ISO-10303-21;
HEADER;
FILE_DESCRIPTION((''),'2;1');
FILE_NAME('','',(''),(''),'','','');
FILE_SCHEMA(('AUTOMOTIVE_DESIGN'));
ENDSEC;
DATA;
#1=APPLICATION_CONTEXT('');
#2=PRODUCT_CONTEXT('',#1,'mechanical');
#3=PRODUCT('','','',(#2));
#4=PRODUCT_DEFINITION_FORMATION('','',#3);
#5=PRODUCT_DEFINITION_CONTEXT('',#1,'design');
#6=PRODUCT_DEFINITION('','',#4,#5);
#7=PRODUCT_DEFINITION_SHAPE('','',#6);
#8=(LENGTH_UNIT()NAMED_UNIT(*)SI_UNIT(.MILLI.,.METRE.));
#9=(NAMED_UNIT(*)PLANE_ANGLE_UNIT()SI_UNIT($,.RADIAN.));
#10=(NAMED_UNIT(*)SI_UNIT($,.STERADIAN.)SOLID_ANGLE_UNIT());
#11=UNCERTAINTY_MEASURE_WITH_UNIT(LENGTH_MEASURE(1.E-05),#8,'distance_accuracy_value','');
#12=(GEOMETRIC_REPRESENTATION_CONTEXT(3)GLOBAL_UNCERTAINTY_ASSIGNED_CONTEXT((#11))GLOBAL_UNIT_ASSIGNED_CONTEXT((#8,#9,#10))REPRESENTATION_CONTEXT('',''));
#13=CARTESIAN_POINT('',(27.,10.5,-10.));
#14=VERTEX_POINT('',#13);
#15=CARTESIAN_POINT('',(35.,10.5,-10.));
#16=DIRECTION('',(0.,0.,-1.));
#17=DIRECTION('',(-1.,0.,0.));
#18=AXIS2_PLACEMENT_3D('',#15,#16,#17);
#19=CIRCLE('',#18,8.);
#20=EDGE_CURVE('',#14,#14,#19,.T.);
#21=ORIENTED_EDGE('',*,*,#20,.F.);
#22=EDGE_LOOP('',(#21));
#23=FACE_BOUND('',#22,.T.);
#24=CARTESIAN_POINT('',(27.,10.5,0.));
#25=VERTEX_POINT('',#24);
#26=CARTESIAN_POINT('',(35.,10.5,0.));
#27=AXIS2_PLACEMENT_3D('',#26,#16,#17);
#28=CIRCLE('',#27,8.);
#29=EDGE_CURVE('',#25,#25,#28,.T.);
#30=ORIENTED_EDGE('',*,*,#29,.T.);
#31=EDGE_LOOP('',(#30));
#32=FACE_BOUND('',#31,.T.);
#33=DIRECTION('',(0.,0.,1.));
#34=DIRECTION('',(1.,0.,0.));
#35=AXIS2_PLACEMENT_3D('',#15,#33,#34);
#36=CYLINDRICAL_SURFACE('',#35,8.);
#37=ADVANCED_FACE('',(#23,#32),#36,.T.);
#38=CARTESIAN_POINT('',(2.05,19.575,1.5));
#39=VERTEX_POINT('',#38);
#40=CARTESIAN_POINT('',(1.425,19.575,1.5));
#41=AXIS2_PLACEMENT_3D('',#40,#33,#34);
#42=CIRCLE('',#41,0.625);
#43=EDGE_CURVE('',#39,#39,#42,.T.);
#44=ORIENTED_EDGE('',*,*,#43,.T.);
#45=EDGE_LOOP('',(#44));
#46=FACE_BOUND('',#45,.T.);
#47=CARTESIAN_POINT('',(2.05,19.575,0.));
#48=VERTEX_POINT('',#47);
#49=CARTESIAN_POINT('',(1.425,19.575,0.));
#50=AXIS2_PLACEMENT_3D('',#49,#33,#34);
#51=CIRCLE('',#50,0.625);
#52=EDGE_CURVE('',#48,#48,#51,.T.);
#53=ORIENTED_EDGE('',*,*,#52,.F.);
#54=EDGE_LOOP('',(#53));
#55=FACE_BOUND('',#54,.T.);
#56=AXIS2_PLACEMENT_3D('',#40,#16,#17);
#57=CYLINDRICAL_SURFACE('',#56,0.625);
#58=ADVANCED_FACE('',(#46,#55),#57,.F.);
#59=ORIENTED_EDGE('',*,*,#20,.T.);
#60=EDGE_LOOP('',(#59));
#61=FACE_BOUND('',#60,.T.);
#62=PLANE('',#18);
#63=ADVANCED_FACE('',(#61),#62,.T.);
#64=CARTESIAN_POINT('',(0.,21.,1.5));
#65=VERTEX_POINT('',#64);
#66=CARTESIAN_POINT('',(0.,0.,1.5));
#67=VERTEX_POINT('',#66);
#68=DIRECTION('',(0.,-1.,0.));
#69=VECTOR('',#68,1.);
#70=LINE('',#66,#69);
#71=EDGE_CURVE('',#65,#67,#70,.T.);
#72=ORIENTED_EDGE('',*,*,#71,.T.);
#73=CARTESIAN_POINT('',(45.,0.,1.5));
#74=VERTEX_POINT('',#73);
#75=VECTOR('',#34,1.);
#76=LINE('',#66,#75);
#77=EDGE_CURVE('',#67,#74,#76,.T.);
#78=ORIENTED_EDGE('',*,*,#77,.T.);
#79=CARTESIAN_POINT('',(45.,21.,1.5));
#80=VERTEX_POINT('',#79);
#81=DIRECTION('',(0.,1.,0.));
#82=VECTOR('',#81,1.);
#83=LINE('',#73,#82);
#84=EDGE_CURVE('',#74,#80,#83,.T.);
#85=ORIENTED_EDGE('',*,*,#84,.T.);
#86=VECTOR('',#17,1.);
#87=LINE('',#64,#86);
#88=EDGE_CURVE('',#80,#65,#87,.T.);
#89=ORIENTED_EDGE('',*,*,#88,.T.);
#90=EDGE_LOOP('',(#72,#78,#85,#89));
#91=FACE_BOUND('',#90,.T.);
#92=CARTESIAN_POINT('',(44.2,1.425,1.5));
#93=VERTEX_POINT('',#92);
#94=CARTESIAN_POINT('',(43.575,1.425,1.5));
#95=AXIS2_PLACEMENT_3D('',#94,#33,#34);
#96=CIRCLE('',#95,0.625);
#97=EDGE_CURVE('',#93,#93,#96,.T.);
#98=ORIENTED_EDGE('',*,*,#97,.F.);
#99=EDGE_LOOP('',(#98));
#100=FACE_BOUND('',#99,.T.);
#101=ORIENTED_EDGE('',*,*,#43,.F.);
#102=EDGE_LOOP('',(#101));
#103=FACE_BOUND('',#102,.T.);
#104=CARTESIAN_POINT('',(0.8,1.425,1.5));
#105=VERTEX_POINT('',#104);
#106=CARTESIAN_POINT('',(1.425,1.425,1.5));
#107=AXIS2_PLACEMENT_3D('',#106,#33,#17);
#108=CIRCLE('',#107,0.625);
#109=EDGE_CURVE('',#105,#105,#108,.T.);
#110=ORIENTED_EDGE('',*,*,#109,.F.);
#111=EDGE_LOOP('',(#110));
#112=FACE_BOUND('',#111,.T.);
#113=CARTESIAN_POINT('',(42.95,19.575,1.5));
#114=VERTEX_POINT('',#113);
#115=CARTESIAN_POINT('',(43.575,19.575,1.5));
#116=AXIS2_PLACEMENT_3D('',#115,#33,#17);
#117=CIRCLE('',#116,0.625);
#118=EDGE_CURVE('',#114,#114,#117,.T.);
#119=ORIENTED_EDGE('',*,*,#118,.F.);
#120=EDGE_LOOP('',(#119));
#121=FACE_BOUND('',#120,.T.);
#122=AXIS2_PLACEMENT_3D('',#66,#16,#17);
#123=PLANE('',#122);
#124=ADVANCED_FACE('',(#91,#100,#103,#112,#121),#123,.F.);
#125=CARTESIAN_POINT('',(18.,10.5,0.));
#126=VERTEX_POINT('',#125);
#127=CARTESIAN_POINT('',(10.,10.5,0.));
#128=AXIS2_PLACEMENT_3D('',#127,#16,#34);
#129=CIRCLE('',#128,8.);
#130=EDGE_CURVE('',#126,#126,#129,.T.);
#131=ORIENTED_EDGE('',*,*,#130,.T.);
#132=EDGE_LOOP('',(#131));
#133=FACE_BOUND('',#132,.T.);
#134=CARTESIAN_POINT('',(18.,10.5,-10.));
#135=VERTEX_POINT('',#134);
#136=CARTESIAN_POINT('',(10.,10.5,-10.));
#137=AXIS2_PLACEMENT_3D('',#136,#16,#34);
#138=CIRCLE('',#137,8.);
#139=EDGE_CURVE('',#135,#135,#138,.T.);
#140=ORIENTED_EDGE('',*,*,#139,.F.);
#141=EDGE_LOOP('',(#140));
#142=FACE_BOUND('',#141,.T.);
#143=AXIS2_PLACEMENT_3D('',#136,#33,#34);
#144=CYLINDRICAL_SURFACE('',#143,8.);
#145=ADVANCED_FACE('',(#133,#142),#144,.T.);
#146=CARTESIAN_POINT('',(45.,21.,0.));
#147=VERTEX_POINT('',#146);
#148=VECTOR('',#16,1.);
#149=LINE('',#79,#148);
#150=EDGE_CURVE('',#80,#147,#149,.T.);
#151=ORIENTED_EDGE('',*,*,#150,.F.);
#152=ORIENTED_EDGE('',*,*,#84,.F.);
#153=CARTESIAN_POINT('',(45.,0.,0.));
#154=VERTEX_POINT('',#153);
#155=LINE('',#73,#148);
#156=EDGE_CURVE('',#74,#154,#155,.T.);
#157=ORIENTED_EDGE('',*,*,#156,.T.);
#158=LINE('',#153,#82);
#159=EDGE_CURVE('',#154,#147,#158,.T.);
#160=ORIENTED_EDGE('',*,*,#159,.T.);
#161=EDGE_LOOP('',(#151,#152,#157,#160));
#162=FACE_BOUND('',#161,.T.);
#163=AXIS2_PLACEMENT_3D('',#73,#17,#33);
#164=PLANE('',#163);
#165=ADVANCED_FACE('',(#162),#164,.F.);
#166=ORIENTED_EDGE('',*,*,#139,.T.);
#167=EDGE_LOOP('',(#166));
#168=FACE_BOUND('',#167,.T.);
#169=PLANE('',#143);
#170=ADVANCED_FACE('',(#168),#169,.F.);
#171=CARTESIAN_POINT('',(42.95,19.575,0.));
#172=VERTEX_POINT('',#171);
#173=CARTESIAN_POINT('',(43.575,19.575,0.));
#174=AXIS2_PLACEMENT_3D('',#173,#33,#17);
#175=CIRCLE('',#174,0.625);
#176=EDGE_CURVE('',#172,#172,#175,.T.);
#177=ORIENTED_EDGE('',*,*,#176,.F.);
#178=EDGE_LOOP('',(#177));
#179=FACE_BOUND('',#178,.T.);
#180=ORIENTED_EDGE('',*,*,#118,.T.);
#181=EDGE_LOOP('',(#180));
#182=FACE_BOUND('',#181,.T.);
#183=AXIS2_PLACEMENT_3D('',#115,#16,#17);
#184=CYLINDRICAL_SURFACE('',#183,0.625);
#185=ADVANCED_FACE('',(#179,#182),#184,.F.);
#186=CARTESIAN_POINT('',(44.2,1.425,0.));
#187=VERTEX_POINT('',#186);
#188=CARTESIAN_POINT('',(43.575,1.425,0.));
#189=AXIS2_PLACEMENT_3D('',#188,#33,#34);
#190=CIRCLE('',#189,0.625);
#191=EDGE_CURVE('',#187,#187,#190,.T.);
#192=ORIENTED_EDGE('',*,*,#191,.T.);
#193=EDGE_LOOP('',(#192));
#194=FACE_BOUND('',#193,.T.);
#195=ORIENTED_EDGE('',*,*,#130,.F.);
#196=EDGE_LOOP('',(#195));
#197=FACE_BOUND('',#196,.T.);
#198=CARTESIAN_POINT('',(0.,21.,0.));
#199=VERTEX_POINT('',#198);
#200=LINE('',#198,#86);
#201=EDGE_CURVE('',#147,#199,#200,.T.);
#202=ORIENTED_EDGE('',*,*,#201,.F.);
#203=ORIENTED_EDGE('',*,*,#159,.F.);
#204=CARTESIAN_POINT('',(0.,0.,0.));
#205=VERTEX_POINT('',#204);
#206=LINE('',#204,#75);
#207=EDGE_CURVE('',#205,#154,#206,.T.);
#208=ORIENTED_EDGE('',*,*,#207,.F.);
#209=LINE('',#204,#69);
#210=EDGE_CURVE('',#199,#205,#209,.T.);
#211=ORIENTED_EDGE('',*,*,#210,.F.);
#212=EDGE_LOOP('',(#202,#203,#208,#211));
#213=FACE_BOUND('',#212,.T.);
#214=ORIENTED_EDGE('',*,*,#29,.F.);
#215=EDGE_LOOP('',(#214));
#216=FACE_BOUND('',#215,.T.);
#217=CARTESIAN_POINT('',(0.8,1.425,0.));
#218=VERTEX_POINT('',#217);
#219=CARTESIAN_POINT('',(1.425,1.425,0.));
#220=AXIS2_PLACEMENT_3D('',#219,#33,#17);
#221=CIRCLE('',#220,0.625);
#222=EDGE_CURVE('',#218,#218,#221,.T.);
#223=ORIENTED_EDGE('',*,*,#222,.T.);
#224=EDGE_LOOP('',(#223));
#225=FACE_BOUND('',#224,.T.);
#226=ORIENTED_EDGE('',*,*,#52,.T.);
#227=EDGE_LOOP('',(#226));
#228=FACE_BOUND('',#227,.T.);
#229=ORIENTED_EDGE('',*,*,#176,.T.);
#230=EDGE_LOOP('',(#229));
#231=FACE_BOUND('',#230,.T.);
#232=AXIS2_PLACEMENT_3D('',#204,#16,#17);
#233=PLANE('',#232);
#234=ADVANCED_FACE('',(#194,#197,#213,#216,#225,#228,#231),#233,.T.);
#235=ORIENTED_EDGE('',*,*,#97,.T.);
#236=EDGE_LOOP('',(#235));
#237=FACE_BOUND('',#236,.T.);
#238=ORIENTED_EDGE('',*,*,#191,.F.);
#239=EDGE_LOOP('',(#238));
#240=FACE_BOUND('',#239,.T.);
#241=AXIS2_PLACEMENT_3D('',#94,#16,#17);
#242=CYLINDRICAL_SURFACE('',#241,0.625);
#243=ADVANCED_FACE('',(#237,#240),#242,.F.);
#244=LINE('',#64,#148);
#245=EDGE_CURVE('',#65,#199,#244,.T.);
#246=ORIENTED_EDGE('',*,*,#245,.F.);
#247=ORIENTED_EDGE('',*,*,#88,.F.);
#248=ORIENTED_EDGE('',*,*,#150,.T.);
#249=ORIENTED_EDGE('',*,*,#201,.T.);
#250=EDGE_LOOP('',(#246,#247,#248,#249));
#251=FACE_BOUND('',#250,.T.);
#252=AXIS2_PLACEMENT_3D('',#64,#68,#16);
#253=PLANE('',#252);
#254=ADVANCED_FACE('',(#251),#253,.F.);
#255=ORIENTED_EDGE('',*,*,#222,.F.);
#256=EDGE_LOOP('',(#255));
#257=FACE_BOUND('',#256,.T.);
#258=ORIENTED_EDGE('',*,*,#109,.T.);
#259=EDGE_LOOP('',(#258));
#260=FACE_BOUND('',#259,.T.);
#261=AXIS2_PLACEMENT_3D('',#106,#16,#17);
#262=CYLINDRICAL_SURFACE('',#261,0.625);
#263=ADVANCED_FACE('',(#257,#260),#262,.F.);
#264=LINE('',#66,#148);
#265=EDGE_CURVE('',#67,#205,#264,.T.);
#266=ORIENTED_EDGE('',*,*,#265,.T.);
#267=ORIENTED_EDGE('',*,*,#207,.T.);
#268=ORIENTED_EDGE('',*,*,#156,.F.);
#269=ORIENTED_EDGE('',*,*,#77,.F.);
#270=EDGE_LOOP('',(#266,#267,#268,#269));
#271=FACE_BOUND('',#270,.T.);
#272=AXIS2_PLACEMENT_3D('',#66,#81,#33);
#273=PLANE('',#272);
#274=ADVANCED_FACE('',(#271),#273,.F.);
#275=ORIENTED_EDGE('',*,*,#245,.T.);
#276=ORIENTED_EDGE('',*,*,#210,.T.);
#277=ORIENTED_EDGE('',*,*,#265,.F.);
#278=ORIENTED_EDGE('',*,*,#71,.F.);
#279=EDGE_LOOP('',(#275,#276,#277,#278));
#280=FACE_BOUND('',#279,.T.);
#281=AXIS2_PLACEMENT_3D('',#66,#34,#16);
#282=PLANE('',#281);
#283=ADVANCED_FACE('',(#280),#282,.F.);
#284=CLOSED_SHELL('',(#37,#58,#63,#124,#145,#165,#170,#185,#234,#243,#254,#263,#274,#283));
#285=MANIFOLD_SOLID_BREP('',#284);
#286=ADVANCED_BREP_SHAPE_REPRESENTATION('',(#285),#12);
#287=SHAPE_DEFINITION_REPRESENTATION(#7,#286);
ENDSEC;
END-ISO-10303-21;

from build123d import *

# Parameters (mm, degrees)
CROQUIS1_W              = 45
CROQUIS1_H              = 21
CROQUIS1_R              = 0.625
SALIENTE_EXTRUIR1_DEPTH = 1.5
CROQUIS2_R              = 8
SALIENTE_EXTRUIR2_DEPTH = 10


with BuildPart() as part:
    # Croquis1 → Saliente-Extruir1 (new body)
    with BuildSketch(Plane.XY):
        with Locations((22.5, 10.5)):
            Rectangle(CROQUIS1_W, CROQUIS1_H)
        with Locations((1.425, 19.575)):
            Circle(CROQUIS1_R, mode=Mode.SUBTRACT)
        with Locations(Location((43.575, 19.575, 0), (0, 0, 180))):
            Circle(CROQUIS1_R, mode=Mode.SUBTRACT)
        with Locations((43.575, 1.425)):
            Circle(CROQUIS1_R, mode=Mode.SUBTRACT)
        with Locations(Location((1.425, 1.425, 0), (0, 0, 180))):
            Circle(CROQUIS1_R, mode=Mode.SUBTRACT)
    extrude(amount=SALIENTE_EXTRUIR1_DEPTH)

    # Croquis2 → Saliente-Extruir2 (add)
    with BuildSketch(Plane(origin=(0, 0, 0), x_dir=(-1, 0, 0), z_dir=(0, 0, -1))):
        with Locations((-35, 10.5)):
            Circle(CROQUIS2_R)
        with Locations(Location((-10, 10.5, 0), (0, 0, 180))):
            Circle(CROQUIS2_R)
    extrude(amount=SALIENTE_EXTRUIR2_DEPTH)


solid = part.part
